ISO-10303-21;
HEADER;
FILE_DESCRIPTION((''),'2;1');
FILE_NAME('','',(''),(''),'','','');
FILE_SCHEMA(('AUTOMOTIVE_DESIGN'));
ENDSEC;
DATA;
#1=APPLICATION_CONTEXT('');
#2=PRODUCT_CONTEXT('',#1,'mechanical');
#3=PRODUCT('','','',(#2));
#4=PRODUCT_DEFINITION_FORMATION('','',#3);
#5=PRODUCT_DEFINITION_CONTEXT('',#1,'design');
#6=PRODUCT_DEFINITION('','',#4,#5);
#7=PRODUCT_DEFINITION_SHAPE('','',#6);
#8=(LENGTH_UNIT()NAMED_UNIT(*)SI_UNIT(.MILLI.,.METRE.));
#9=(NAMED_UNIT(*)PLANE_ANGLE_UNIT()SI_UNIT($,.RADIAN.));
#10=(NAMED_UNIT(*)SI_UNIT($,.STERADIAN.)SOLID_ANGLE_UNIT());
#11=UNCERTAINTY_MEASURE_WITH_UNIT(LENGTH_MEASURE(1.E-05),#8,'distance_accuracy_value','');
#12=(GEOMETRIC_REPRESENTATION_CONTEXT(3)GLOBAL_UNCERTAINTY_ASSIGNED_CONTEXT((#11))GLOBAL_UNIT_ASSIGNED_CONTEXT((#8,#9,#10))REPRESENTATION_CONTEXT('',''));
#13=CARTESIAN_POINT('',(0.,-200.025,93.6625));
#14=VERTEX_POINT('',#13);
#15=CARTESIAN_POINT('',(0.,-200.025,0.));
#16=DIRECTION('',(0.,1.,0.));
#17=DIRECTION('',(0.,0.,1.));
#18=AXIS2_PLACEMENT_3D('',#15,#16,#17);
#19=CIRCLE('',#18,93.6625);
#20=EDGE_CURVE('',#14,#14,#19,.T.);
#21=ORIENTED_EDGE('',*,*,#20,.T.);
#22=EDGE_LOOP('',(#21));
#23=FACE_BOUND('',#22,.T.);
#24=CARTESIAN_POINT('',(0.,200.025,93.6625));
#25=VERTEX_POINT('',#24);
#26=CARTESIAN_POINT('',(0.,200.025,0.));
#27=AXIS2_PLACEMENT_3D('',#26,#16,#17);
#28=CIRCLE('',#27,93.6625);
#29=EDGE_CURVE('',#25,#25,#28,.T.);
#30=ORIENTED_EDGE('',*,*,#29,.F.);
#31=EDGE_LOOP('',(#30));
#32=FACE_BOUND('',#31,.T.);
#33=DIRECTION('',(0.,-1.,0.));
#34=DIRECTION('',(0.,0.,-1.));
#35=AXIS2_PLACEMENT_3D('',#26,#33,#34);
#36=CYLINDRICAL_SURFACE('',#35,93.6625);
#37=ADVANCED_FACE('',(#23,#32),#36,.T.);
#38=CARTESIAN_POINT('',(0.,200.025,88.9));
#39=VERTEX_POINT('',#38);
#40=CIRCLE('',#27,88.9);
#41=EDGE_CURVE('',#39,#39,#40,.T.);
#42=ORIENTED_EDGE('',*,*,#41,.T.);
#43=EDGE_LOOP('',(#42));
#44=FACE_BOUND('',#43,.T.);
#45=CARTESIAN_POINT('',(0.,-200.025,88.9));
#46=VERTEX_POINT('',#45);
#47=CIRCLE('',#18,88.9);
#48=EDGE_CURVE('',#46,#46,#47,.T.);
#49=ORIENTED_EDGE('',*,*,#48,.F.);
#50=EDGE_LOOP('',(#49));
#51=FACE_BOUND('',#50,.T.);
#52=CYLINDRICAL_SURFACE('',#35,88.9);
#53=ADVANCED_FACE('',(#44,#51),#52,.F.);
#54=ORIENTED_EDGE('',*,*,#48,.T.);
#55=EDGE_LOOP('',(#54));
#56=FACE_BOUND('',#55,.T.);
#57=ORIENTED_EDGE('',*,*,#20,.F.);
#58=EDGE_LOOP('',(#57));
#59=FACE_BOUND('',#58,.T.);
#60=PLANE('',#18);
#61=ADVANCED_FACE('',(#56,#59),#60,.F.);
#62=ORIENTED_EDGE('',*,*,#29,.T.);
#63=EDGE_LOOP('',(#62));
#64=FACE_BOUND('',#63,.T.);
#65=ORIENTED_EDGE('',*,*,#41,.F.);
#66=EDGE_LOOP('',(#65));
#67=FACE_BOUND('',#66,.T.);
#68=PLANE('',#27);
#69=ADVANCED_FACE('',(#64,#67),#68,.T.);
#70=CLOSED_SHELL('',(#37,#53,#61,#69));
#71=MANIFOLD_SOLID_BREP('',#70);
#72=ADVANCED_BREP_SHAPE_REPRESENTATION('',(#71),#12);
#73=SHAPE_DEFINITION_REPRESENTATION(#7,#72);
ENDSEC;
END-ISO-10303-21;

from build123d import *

# Parameters (mm, degrees)
SKETCH1_R           = 93.6625
SKETCH1_R_2         = 88.9
BOSS_EXTRUDE1_DEPTH = 200.025


with BuildPart() as part:
    # Sketch1 → Boss-Extrude1 (new body, symmetric)
    with BuildSketch(Plane(origin=(0, 0, 0), x_dir=(1, 0, 0), z_dir=(0, 1, 0))):
        Circle(SKETCH1_R)
        Circle(SKETCH1_R_2, mode=Mode.SUBTRACT)
    extrude(amount=BOSS_EXTRUDE1_DEPTH, both=True)


solid = part.part
